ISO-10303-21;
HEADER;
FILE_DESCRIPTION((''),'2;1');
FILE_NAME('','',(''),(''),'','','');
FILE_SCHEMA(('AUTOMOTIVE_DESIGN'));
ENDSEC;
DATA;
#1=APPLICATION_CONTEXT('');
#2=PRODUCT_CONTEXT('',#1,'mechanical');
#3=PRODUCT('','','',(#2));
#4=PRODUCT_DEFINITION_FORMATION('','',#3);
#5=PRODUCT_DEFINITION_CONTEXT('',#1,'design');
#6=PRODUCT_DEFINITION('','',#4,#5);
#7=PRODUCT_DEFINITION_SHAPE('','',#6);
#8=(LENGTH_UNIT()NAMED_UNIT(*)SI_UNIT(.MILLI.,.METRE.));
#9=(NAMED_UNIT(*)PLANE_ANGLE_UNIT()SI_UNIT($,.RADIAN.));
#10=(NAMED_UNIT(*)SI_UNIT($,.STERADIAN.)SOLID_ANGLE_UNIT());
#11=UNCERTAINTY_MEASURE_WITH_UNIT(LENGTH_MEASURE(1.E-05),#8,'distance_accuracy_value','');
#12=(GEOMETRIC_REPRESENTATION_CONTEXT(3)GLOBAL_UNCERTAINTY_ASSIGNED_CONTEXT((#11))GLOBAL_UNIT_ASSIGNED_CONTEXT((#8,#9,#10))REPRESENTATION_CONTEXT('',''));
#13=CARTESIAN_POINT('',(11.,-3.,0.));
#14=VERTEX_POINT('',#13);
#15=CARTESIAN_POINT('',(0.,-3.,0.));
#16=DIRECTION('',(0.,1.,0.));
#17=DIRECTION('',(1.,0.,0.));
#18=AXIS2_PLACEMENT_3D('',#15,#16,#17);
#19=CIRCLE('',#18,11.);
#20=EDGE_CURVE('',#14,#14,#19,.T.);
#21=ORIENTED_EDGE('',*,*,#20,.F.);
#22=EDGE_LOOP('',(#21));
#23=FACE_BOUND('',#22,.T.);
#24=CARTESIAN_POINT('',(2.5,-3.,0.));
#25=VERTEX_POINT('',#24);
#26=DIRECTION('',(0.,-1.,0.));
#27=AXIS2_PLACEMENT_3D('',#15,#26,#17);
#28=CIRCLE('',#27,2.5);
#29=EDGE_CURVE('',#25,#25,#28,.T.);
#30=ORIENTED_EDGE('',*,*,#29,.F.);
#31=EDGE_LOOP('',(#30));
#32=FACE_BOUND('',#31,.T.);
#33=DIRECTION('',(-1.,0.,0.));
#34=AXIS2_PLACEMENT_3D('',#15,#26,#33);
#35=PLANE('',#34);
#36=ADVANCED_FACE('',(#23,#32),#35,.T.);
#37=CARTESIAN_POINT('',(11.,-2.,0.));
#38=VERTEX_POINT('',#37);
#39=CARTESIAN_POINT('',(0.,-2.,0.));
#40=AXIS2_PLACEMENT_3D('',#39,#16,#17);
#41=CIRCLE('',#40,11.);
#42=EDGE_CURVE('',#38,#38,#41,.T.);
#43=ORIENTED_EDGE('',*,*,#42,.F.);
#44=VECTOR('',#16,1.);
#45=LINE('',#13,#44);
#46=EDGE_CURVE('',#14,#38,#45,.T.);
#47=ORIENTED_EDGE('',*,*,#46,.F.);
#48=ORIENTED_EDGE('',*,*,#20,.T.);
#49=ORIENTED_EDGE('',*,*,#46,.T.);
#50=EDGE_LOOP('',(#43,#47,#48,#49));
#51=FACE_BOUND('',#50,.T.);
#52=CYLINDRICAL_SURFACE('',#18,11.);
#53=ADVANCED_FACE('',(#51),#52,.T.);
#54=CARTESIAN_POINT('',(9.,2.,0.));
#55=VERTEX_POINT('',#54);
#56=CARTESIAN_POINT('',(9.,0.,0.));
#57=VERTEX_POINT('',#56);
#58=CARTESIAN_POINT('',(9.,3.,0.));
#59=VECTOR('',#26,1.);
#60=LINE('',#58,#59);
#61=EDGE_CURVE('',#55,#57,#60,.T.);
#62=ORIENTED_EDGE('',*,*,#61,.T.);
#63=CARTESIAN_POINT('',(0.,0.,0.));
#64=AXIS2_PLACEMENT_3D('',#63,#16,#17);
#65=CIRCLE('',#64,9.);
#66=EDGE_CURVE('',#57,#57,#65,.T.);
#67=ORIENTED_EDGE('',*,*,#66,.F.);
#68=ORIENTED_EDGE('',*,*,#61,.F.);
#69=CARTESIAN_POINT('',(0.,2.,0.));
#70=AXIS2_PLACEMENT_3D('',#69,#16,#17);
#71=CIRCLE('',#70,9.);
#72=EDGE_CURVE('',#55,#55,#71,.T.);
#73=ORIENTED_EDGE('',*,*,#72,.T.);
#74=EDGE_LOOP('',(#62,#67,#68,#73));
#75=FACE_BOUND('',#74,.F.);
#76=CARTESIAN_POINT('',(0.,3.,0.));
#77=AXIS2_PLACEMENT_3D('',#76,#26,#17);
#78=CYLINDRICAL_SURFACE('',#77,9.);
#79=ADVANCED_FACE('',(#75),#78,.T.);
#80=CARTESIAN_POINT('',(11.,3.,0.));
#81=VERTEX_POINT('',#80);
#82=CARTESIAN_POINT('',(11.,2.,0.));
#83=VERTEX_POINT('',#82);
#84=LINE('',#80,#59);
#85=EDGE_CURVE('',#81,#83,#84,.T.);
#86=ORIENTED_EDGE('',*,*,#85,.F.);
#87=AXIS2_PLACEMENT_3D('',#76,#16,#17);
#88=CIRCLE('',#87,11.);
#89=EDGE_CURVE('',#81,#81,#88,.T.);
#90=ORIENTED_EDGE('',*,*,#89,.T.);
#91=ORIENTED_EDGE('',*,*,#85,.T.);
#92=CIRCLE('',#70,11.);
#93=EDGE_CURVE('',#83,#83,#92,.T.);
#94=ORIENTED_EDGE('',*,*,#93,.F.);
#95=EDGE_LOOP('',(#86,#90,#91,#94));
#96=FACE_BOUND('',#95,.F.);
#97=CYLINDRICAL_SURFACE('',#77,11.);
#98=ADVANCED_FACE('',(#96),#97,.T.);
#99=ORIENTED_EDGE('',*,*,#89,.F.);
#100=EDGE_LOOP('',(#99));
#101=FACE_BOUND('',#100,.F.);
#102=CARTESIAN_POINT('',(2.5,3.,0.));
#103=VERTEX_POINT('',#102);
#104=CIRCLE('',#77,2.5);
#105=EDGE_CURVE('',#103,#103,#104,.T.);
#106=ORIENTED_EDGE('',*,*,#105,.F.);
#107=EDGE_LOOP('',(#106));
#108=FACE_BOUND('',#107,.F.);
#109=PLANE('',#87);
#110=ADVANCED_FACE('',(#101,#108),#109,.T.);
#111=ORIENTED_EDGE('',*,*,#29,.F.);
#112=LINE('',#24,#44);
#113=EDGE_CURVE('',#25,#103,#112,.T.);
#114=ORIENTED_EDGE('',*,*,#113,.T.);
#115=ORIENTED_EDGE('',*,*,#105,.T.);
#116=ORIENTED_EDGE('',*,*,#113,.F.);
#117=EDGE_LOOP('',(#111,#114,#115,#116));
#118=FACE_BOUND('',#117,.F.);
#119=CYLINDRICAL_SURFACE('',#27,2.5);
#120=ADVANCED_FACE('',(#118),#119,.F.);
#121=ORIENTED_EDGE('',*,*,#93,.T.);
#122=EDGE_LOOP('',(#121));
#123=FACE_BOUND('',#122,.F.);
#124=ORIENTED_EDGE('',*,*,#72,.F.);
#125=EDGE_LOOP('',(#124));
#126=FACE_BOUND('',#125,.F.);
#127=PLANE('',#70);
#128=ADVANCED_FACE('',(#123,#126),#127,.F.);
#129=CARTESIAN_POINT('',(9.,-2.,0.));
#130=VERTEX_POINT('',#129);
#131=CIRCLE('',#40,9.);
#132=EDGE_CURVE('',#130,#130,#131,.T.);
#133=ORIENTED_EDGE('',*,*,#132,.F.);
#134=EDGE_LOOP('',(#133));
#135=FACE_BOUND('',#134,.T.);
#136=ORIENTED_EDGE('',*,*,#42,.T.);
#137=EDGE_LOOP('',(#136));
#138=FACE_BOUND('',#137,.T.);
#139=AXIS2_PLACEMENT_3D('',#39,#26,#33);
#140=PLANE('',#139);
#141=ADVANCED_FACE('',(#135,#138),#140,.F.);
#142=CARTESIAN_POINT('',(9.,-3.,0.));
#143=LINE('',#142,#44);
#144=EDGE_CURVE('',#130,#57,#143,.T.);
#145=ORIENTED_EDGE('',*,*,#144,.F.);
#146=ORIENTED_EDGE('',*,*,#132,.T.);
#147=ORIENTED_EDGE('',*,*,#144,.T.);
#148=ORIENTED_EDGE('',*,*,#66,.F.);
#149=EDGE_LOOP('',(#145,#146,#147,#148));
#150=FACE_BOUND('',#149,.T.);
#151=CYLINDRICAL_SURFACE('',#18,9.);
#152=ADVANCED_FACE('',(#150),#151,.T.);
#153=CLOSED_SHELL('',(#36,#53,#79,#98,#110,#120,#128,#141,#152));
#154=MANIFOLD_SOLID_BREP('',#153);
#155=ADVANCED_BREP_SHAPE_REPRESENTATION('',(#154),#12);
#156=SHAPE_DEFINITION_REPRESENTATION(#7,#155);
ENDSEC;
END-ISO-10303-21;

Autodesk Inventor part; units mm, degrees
ref_plane "YZ Plane" through (0, 0, 0) normal (1, 0, 0) x (0, 1, 0)
ref_plane "XZ Plane" through (0, 0, 0) normal (0, 1, 0) x (-1, 0, 0)
ref_plane "XY Plane" through (0, 0, 0) normal (0, 0, 1) x (1, 0, 0)
sketch "Sketch1" plane through (0, 0, 0) normal (0, 0, 1) x (1, 0, 0)
  line L0 (0, 3) -> (9, 3)
  line L1 (9, 3) -> (9, 0)
  line L2 (9, 0) -> (0, 0)
  line L3 (0, 0) -> (0, 3)
  line L4 (0, 3) -> (11, 3)
  line L5 (11, 3) -> (11, 2)
  line L6 (11, 2) -> (0, 2)
  line L7 (0, 2) -> (0, 3)
  point P0 (9, 2)
  dimension "d0" = 9
  dimension "d1" = 3
  dimension "d2" = 11
  dimension "d3" = 1
  dimension "d8" = 2
revolve "Revolution1" add sketch "Sketch1" angle 360 about axis through (0, 0, 0) along (0, 1, 0)
mirror "Mirror1" about plane through (0, 0, 0) normal (0, 1, 0) of "Revolution1"
sketch "Sketch2" plane through (0, -3, 0) normal (0, -1, 0) x (1, 0, 0)
  circle A0 centre (0, 0) radius 2.5
  point P0 (0, 0)
  dimension "d5" = 5
extrude "Extrusion1" cut sketch "Sketch2" against normal blind 10
properties part number "stove_pulley"
